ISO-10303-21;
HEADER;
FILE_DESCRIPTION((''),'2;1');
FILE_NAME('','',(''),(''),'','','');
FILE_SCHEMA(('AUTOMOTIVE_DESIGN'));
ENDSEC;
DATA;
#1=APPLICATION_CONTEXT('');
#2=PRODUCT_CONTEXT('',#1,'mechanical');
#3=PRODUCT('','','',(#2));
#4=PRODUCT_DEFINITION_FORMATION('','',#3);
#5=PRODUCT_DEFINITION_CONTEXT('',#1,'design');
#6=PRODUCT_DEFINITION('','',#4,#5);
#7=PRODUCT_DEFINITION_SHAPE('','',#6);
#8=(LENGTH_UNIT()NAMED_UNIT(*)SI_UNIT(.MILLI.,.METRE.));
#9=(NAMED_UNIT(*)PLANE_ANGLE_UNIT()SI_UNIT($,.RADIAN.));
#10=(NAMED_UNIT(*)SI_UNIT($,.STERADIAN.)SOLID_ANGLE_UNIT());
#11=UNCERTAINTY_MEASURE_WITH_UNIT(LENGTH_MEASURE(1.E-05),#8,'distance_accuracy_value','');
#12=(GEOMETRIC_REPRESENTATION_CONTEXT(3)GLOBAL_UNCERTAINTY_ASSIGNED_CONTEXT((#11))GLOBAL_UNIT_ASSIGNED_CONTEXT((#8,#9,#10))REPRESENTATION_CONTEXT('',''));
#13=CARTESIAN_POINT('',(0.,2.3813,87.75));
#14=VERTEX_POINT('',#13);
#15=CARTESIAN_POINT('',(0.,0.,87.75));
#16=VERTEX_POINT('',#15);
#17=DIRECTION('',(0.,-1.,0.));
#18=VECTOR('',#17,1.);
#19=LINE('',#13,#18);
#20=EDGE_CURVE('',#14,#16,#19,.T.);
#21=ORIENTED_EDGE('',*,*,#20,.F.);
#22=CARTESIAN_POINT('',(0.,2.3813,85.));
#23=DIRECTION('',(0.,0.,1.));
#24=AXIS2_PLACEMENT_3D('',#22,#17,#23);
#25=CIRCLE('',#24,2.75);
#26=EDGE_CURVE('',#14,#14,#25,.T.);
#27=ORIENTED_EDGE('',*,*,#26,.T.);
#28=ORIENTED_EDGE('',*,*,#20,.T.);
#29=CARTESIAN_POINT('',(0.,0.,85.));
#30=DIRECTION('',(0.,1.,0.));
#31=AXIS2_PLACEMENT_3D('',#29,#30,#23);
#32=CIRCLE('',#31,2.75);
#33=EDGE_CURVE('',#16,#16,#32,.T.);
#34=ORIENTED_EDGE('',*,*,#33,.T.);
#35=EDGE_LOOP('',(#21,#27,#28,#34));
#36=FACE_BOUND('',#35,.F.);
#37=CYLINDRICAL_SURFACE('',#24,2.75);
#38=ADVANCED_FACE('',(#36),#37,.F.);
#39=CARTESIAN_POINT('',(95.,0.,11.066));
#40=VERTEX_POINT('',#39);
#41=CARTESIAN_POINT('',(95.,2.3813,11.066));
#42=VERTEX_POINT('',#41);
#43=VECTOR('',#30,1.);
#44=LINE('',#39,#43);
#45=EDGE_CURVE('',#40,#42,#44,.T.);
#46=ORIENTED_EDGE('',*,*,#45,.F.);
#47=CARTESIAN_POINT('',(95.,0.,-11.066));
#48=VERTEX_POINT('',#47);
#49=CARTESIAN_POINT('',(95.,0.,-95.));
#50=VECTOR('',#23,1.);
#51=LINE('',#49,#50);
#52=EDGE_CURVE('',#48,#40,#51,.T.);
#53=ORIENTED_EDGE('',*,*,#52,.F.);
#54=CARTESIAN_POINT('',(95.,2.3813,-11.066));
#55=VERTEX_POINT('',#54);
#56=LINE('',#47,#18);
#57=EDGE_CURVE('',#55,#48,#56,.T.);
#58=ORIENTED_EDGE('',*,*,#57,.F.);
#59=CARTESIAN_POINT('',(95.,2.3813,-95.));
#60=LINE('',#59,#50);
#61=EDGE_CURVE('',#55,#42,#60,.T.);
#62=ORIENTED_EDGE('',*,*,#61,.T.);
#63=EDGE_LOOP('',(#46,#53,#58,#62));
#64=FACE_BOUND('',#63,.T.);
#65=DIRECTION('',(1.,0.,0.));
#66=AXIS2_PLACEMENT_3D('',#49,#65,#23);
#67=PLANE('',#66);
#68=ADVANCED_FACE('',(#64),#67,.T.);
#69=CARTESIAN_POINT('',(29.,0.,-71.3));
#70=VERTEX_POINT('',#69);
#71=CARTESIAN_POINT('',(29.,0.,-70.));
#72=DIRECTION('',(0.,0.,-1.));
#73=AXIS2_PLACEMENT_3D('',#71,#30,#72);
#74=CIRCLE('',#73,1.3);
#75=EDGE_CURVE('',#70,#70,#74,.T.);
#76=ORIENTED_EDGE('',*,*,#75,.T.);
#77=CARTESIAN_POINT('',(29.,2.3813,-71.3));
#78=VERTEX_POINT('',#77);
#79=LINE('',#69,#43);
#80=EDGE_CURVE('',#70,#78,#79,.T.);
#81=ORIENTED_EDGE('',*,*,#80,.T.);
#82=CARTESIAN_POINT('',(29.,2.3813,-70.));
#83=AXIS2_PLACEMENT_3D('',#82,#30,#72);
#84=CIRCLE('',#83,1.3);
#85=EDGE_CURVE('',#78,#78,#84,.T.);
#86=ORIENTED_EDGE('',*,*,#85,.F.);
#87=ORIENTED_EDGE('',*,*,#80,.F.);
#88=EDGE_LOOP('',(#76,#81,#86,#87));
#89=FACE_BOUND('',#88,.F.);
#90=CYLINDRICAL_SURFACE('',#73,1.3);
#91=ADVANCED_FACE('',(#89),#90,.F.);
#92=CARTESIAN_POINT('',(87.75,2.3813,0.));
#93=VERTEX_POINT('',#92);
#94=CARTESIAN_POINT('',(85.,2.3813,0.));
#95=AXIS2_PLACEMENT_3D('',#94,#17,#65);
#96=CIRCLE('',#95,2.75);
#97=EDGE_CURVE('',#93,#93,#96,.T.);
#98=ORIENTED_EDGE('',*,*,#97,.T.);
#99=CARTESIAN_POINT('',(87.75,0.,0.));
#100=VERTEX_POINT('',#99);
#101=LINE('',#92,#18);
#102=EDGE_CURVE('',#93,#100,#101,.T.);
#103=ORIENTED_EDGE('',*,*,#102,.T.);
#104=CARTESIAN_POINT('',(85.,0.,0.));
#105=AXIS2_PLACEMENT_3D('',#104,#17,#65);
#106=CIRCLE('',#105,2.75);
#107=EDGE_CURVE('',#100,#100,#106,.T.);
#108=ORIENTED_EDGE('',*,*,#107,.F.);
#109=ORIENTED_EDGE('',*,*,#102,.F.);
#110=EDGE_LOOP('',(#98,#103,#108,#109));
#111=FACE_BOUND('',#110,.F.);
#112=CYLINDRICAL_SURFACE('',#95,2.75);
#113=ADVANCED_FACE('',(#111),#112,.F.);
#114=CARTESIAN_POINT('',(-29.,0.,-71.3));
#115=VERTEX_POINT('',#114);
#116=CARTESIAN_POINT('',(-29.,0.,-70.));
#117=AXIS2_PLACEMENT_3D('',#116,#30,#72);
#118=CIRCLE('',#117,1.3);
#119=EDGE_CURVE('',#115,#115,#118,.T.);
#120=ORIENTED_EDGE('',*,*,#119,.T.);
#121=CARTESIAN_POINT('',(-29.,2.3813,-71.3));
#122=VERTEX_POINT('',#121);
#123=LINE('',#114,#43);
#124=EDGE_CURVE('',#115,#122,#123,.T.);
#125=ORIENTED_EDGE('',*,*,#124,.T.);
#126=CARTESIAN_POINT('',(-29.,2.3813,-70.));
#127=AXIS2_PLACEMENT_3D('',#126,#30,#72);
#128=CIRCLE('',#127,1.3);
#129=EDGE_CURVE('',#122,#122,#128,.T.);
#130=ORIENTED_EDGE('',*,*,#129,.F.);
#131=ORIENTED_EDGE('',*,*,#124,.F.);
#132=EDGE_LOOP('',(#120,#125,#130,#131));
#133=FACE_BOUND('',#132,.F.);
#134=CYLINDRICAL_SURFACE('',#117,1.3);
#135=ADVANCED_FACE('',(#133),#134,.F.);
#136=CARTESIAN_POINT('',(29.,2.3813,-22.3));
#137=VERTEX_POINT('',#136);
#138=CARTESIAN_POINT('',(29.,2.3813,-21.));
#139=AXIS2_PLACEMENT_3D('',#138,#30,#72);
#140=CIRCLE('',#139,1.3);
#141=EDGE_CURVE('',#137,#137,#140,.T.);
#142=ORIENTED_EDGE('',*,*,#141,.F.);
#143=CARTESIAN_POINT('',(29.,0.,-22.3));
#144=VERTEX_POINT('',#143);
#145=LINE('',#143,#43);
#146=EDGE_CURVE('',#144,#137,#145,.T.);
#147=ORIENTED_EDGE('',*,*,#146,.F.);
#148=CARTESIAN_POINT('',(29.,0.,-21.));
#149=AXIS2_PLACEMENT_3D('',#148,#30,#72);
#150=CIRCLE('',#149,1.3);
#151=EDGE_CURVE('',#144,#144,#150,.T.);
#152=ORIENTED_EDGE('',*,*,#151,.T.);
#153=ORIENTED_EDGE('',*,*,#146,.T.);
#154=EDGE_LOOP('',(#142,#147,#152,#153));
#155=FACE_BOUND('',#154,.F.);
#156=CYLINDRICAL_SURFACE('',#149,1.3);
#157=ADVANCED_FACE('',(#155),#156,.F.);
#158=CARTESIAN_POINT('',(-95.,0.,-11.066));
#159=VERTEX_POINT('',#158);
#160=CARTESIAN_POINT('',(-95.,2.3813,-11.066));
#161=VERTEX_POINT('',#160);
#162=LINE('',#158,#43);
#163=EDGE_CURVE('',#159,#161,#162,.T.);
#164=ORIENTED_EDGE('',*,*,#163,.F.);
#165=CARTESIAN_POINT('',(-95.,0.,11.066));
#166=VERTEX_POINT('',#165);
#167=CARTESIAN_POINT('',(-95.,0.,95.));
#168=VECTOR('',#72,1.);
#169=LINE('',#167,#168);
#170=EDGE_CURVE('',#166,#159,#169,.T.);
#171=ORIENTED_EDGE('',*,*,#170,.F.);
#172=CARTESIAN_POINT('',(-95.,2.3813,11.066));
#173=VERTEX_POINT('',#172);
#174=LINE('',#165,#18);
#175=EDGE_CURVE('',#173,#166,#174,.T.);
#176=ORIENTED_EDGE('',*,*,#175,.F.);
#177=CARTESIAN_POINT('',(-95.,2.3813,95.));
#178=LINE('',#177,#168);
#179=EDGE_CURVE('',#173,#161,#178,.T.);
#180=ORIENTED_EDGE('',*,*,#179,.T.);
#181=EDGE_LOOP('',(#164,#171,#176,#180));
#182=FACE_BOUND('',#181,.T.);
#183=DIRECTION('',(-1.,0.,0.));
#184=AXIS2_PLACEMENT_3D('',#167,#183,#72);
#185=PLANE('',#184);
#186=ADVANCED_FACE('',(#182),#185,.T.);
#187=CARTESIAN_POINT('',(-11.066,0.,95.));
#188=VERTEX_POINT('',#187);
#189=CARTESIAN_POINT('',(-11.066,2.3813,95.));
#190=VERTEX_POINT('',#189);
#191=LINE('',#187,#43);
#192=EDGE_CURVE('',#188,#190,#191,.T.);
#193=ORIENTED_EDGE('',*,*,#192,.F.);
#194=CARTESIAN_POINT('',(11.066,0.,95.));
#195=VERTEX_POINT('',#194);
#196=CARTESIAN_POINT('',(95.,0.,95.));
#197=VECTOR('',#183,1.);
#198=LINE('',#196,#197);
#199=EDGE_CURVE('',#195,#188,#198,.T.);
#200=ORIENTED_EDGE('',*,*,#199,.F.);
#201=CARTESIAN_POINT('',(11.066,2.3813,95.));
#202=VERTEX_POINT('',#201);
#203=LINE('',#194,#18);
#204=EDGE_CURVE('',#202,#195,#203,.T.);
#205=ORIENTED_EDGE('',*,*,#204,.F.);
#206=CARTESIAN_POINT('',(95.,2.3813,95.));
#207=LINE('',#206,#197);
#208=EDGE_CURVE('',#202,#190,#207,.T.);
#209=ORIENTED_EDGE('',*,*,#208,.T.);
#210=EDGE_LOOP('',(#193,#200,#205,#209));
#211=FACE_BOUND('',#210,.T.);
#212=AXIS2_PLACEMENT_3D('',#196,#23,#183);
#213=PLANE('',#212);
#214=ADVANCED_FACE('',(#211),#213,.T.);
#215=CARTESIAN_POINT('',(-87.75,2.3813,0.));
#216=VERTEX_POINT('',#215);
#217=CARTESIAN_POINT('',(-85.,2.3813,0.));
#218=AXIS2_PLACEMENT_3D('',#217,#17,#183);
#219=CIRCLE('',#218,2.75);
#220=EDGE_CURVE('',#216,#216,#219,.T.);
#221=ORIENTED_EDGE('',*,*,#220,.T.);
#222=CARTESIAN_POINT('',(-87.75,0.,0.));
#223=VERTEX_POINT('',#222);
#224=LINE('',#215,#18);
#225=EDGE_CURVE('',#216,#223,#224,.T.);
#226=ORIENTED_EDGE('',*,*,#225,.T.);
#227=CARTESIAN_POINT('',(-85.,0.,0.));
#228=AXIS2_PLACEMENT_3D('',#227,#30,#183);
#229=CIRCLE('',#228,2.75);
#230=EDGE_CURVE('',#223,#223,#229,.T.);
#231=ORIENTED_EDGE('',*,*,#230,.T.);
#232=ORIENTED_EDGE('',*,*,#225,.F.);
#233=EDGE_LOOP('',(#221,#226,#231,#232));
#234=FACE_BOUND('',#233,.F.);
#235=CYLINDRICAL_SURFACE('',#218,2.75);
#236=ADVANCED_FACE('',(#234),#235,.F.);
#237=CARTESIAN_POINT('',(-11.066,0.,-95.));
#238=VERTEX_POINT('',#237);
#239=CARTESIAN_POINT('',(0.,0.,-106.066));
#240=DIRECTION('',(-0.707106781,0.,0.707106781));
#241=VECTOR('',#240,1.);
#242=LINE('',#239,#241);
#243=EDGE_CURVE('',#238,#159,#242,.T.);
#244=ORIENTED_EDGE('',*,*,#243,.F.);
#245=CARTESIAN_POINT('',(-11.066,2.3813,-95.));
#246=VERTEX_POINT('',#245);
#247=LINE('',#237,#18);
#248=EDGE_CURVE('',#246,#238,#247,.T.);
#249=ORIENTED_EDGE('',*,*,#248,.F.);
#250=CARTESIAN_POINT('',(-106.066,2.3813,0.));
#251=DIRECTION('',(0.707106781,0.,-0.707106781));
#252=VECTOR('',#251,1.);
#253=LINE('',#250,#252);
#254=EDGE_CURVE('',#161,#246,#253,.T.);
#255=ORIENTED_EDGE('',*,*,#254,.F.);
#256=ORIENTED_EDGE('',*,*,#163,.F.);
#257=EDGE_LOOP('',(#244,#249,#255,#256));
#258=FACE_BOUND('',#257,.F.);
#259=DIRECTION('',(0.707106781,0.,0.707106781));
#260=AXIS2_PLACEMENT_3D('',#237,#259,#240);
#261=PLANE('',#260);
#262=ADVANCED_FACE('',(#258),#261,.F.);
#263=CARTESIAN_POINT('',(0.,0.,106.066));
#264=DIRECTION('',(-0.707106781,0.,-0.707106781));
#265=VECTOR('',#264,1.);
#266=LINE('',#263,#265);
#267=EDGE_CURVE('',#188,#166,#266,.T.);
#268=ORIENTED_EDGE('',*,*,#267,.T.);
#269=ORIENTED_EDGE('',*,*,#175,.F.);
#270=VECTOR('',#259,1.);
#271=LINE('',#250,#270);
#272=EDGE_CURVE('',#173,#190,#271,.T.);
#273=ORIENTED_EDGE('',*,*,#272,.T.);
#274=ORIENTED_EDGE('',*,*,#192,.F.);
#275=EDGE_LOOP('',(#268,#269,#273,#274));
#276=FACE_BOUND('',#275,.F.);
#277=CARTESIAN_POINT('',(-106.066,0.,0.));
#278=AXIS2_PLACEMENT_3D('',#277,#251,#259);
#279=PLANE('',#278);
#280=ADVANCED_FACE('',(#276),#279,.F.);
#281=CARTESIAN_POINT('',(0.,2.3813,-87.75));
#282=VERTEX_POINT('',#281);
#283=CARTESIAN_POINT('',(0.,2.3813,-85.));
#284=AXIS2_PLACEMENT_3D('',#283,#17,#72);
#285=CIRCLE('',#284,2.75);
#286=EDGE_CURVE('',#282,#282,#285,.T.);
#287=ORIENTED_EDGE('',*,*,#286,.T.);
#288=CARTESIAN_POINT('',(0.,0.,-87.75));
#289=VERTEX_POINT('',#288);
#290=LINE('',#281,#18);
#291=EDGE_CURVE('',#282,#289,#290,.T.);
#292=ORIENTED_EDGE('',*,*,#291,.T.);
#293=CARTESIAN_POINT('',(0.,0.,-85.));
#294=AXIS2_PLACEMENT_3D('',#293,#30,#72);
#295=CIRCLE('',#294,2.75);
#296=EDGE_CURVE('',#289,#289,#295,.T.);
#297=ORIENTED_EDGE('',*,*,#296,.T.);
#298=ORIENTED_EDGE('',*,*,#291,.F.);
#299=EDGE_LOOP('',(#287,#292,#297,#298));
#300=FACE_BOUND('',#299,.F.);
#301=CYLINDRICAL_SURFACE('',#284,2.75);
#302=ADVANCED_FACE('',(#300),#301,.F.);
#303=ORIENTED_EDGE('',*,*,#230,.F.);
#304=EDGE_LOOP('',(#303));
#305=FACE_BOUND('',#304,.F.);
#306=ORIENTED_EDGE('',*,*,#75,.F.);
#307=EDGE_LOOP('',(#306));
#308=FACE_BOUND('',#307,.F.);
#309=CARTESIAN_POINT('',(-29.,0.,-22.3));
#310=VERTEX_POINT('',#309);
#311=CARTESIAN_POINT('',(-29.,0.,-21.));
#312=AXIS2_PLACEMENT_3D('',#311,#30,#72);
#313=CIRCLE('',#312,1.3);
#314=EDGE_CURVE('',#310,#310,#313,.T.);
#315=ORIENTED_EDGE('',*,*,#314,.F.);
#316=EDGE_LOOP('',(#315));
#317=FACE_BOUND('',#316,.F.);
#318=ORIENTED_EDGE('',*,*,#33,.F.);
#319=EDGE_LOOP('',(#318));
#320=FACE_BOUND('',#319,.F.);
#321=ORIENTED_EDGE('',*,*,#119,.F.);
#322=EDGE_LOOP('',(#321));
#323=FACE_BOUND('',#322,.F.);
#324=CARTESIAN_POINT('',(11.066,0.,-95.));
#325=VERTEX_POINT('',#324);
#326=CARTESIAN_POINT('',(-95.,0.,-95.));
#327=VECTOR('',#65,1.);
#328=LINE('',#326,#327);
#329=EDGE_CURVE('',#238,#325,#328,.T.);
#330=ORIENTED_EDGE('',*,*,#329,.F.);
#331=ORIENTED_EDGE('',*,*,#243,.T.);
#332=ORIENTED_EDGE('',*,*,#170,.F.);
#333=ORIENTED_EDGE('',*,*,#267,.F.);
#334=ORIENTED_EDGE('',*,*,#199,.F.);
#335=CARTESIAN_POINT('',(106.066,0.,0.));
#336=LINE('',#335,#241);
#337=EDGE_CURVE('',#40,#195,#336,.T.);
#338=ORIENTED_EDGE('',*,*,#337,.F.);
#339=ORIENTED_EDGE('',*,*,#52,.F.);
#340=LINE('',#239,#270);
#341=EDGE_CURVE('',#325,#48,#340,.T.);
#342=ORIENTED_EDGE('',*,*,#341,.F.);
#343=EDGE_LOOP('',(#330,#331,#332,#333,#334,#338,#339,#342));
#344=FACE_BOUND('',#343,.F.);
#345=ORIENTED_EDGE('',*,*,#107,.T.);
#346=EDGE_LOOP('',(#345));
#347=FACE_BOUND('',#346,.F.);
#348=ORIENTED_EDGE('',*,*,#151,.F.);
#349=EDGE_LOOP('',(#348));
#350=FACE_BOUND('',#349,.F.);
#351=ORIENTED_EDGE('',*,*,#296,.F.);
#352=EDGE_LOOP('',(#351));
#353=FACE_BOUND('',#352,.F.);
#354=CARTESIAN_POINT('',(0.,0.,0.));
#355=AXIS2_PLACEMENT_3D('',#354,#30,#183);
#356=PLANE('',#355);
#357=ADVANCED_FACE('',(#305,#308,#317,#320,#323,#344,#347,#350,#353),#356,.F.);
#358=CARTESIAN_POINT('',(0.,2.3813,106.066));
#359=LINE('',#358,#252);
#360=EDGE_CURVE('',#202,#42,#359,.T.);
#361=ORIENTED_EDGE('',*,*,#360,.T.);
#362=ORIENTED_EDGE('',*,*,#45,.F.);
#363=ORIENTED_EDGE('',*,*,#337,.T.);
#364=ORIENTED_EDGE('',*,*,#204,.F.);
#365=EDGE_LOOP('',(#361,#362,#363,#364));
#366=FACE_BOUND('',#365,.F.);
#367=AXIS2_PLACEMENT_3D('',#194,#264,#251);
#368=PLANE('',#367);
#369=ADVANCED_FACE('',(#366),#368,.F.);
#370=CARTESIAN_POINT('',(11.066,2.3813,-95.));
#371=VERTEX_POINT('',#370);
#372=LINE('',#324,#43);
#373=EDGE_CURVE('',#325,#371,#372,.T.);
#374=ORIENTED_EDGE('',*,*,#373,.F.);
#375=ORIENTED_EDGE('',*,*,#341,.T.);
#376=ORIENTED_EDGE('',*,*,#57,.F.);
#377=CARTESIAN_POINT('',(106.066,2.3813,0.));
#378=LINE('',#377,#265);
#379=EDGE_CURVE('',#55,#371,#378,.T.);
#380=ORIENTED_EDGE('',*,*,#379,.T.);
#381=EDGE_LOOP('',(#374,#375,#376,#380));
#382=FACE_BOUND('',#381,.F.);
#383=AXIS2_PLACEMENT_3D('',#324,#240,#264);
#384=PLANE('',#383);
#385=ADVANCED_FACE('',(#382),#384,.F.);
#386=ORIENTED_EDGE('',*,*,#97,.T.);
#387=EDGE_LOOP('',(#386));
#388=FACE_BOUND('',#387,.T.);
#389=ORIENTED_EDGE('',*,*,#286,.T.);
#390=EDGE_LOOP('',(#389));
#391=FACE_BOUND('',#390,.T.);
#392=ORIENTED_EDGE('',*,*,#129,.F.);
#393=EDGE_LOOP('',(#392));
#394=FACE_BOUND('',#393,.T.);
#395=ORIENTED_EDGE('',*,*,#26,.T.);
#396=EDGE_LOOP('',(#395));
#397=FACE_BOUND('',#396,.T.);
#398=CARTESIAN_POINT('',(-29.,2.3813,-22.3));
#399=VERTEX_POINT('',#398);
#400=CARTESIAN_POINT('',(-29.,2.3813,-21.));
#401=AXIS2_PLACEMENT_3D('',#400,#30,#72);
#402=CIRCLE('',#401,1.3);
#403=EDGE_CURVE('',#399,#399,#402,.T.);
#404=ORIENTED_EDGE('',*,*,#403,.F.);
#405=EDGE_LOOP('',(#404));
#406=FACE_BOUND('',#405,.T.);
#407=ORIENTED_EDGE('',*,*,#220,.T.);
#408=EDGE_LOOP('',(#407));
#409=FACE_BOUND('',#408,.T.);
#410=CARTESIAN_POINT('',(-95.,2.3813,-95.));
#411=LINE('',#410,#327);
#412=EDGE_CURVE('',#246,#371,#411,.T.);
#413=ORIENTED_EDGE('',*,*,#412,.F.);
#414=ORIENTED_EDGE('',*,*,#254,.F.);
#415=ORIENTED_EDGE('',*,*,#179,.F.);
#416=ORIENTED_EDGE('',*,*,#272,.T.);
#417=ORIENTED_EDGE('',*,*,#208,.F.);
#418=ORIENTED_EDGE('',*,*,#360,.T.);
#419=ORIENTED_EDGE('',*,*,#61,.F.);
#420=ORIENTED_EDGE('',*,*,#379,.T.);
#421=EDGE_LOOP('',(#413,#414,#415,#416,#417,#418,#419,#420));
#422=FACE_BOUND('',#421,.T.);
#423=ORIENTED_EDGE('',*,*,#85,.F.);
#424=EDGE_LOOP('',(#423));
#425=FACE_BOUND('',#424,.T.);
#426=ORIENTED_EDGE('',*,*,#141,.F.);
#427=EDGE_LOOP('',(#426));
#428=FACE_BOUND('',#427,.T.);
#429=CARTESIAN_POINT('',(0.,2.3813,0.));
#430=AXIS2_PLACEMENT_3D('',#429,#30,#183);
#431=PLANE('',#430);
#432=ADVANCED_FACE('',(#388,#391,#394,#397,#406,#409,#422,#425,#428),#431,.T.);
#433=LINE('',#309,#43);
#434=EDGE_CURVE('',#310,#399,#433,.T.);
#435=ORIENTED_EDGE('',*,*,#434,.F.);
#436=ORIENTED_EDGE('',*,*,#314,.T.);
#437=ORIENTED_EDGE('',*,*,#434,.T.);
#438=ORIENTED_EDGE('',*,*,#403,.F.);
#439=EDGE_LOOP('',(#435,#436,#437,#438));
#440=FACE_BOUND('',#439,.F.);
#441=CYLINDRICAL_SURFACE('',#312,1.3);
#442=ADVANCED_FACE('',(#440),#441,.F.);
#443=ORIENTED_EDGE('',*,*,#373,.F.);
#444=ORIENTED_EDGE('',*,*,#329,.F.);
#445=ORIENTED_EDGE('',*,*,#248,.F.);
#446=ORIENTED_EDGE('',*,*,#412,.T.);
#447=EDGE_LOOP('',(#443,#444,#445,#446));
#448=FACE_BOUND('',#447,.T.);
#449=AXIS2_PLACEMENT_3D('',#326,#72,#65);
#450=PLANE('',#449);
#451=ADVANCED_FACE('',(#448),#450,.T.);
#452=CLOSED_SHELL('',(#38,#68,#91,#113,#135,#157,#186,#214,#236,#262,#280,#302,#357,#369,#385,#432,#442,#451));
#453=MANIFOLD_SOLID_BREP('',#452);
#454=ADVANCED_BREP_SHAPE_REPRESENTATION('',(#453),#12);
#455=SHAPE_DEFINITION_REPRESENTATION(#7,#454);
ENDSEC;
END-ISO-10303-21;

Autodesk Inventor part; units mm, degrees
ref_plane "YZ Plane" through (0, 0, 0) normal (1, 0, 0) x (0, 1, 0)
ref_plane "XZ Plane" through (0, 0, 0) normal (0, 1, 0) x (-1, 0, 0)
ref_plane "XY Plane" through (0, 0, 0) normal (0, 0, 1) x (1, 0, 0)
sketch "Sketch1" plane through (0, 0, 0) normal (0, 1, 0) x (-1, 0, 0)
  line L0 (95, -95) -> (-95, -95)
  line L1 (-95, -95) -> (-95, 95)
  line L2 (-95, 95) -> (95, 95)
  line L3 (95, 95) -> (95, -95)
  line L4 (95, -95) -> (-95, 95) construction
  line L5 (-95, -95) -> (95, 95) construction
  point P0 (0, 0)
  point P1 (0, 0)
  point P2 (0, 0)
  dimension "d25" = 190
extrude "Extrusion1" add sketch "Sketch1" along normal blind 2.3813
sketch "Sketch2" plane through (0, 2.3813, 0) normal (0, 1, 0) x (1, 0, 0)
  line L0 (-95, -95) -> (95, -95) projected
  point P0 (0, 0)
  point P1 (0, -85)
  dimension "d26" = 10
hole "Hole1" at (0, 2.3813, 85) direction (0, -1, 0) diameter 5.5 end through all clearance for "Socket Head Cap Screw" size "M5" standard "Ansi Metric M Profile"
pattern_circular "Circular Pattern1" count 4 over 360 about axis through (0, -10, 0) along (0, 1, 0) of "Hole1"
sketch "Sketch3" plane through (0, 0, 0) normal (0, -1, 0) x (1, 0, 0)
  circle A0 centre (-85, 0) radius 2.75 projected
  circle A1 centre (0, -85) radius 2.75 projected
  circle A2 centre (85, 0) radius 2.75 projected
  circle A3 centre (0, 85) radius 2.75 projected
  line L0 (-95, -95) -> (95, -95) projected
  line L1 (95, -95) -> (95, 95) projected
  line L2 (95, 95) -> (-95, 95) projected
  line L3 (-95, 95) -> (-95, -95) projected
  line L4 (0, 106.066) -> (106.066, 0)
  line L5 (106.066, 0) -> (0, -106.066)
  line L6 (0, -106.066) -> (-106.066, 0)
  line L7 (-106.066, 0) -> (0, 106.066)
  line L8 (-106.066, 0) -> (106.066, 0) construction
  line L9 (0, -106.066) -> (0, 106.066) construction
  point P0 (0, 0)
  point P1 (0, 0)
  point P2 (0, 0)
  dimension "d27" = 150
  dimension "d28" = 150
extrude "Extrusion2" cut sketch "Sketch3" against normal through all contours L6 L3 L7 L2 L4 L1 L5 L0 | L0 L5 L6 | L6 L7 L3 | L1 L4 L5 | L7 L4 L2 keep common part
sketch "Sketch4" plane through (0, 0, 0) normal (0, -1, 0) x (1, 0, 0)
  line L0 (-11.066, -95) -> (-95, -11.066) projected
  line L1 (-11.066, -95) -> (11.066, -95) projected
  line L2 (95, -11.066) -> (11.066, -95) projected
  line L3 (95, -11.066) -> (95, 11.066) projected
  line L4 (11.066, 95) -> (95, 11.066) projected
  line L5 (11.066, 95) -> (-11.066, 95) projected
  line L6 (-95, 11.066) -> (-11.066, 95) projected
  line L7 (-95, 11.066) -> (-95, -11.066) projected
  circle A0 centre (-85, 0) radius 2.75 projected
  circle A1 centre (0, -85) radius 2.75 projected
  circle A2 centre (85, 0) radius 2.75 projected
  circle A3 centre (0, 85) radius 2.75 projected
  line L8 (-36.066, -70) -> (36.066, -70) construction
  line L9 (-29, -70) -> (29, -70) construction
  line L10 (29, -70) -> (29, -21) construction
  line L11 (29, -21) -> (-29, -21) construction
  line L12 (-29, -21) -> (-29, -70) construction
  line L13 (0, -21) -> (0, -70) construction
  point P0 (0, 0)
  point P1 (0, -70)
  dimension "d31" = 25
  dimension "d32" = 58
  dimension "d33" = 49
hole "Hole2" at (-29, 0, -21) at (29, 0, -21) at (29, 0, -70) at (-29, 0, -70) direction (0, 1, 0) diameter 2.6 end through all
equation "\"d7\" = suppourtPanelThickness"
equation "\"d28\" = d27"
equation "\"panelChamfer\" = 75"
equation "\"suppourtPanelThickness\" = 2.38125"
properties part number "piMount" material "Polycarbonate, Clear"
